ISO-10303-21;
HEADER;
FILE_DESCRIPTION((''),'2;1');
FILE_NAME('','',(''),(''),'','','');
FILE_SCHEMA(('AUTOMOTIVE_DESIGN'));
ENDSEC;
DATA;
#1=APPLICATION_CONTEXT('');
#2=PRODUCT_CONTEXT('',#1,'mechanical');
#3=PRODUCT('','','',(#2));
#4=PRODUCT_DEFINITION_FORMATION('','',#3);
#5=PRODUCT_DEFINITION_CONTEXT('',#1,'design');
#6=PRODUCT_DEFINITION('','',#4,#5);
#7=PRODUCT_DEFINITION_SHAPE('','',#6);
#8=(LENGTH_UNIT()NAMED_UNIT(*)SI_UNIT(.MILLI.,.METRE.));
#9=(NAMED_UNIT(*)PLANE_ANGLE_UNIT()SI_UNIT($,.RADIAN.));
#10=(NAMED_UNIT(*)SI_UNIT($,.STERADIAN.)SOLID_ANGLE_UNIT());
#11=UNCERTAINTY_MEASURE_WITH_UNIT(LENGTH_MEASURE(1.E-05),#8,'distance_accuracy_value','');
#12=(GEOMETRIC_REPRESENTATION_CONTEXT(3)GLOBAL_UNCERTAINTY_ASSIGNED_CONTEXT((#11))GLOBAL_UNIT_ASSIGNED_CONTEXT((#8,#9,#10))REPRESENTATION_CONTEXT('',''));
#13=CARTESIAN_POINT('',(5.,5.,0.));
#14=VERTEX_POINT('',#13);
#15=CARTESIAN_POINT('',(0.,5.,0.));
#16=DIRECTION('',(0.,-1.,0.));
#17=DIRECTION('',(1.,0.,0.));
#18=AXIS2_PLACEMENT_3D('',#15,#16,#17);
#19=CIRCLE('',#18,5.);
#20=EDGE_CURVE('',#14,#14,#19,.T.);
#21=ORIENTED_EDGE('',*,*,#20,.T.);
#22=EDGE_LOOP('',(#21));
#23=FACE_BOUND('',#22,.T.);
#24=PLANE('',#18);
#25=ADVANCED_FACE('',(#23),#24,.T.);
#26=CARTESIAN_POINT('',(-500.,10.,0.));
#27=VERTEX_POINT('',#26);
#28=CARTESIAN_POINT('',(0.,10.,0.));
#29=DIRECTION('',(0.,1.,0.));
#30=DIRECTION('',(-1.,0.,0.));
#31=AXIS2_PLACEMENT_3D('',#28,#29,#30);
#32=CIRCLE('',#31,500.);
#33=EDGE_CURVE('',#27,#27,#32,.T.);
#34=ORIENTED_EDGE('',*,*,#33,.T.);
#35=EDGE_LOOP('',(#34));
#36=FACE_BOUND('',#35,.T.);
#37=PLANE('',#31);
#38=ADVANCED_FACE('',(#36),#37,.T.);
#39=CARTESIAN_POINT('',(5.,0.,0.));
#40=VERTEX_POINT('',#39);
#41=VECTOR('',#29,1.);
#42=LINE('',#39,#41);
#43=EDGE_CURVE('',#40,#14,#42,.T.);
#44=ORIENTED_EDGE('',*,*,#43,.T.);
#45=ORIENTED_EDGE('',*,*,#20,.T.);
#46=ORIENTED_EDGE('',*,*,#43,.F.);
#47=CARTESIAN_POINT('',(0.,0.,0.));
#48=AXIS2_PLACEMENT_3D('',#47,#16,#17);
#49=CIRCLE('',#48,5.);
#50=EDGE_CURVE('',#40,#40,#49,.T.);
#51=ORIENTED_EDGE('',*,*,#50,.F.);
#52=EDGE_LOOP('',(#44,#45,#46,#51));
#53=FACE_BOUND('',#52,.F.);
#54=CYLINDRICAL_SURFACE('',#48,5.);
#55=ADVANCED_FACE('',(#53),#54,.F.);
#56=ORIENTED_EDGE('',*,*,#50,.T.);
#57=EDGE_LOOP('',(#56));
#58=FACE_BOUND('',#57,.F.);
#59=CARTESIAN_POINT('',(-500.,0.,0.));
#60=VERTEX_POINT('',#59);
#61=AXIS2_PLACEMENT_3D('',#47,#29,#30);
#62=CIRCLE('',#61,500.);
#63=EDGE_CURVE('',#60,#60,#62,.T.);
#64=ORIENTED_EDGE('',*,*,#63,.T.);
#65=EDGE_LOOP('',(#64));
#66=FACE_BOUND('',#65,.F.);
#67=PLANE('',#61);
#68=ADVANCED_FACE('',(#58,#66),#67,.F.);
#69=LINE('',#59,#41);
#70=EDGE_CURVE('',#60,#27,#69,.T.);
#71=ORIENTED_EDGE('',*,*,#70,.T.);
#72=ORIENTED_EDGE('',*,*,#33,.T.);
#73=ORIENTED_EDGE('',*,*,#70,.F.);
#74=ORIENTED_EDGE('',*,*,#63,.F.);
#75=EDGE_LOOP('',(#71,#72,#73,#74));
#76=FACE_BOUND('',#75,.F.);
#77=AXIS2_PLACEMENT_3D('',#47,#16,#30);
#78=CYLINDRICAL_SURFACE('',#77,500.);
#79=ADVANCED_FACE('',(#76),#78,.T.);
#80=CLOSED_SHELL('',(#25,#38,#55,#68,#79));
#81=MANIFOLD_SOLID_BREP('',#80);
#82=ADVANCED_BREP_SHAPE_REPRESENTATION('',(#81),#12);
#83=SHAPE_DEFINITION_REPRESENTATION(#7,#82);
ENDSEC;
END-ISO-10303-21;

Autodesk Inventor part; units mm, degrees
ref_plane "YZ Plane" through (0, 0, 0) normal (1, 0, 0) x (0, 1, 0)
ref_plane "XZ Plane" through (0, 0, 0) normal (0, 1, 0) x (-1, 0, 0)
ref_plane "XY Plane" through (0, 0, 0) normal (0, 0, 1) x (1, 0, 0)
sketch "Sketch1" plane through (0, 0, 0) normal (0, 1, 0) x (-1, 0, 0)
  circle A0 centre (0, 0) radius 500
  dimension "d0" = 1000
extrude "Extrusion1" add sketch "Sketch1" along normal blind 10
sketch "Sketch2" plane through (0, 0, 0) normal (0, -1, 0) x (1, 0, 0)
  circle A0 centre (0, 0) radius 5
  dimension "d3" = 10
extrude "Extrusion2" cut sketch "Sketch2" against normal blind 5
equation "\"BendRadius\" = Thickness"
equation "\"BendReliefWidth\" = Thickness"
equation "\"BendReliefDepth\" = 0.5 * Thickness"
equation "\"CornerReliefSize\" = 4 * Thickness"
equation "\"MinimumRemnant\" = 2 * Thickness"
equation "\"TransitionRadius\" = BendRadius"
equation "\"JacobiRadiusSize\" = BendRadius"
equation "\"GapSize\" = Thickness"
equation "\"Thickness\" = 0.5"
properties part number "rotating_table_top_plate"
